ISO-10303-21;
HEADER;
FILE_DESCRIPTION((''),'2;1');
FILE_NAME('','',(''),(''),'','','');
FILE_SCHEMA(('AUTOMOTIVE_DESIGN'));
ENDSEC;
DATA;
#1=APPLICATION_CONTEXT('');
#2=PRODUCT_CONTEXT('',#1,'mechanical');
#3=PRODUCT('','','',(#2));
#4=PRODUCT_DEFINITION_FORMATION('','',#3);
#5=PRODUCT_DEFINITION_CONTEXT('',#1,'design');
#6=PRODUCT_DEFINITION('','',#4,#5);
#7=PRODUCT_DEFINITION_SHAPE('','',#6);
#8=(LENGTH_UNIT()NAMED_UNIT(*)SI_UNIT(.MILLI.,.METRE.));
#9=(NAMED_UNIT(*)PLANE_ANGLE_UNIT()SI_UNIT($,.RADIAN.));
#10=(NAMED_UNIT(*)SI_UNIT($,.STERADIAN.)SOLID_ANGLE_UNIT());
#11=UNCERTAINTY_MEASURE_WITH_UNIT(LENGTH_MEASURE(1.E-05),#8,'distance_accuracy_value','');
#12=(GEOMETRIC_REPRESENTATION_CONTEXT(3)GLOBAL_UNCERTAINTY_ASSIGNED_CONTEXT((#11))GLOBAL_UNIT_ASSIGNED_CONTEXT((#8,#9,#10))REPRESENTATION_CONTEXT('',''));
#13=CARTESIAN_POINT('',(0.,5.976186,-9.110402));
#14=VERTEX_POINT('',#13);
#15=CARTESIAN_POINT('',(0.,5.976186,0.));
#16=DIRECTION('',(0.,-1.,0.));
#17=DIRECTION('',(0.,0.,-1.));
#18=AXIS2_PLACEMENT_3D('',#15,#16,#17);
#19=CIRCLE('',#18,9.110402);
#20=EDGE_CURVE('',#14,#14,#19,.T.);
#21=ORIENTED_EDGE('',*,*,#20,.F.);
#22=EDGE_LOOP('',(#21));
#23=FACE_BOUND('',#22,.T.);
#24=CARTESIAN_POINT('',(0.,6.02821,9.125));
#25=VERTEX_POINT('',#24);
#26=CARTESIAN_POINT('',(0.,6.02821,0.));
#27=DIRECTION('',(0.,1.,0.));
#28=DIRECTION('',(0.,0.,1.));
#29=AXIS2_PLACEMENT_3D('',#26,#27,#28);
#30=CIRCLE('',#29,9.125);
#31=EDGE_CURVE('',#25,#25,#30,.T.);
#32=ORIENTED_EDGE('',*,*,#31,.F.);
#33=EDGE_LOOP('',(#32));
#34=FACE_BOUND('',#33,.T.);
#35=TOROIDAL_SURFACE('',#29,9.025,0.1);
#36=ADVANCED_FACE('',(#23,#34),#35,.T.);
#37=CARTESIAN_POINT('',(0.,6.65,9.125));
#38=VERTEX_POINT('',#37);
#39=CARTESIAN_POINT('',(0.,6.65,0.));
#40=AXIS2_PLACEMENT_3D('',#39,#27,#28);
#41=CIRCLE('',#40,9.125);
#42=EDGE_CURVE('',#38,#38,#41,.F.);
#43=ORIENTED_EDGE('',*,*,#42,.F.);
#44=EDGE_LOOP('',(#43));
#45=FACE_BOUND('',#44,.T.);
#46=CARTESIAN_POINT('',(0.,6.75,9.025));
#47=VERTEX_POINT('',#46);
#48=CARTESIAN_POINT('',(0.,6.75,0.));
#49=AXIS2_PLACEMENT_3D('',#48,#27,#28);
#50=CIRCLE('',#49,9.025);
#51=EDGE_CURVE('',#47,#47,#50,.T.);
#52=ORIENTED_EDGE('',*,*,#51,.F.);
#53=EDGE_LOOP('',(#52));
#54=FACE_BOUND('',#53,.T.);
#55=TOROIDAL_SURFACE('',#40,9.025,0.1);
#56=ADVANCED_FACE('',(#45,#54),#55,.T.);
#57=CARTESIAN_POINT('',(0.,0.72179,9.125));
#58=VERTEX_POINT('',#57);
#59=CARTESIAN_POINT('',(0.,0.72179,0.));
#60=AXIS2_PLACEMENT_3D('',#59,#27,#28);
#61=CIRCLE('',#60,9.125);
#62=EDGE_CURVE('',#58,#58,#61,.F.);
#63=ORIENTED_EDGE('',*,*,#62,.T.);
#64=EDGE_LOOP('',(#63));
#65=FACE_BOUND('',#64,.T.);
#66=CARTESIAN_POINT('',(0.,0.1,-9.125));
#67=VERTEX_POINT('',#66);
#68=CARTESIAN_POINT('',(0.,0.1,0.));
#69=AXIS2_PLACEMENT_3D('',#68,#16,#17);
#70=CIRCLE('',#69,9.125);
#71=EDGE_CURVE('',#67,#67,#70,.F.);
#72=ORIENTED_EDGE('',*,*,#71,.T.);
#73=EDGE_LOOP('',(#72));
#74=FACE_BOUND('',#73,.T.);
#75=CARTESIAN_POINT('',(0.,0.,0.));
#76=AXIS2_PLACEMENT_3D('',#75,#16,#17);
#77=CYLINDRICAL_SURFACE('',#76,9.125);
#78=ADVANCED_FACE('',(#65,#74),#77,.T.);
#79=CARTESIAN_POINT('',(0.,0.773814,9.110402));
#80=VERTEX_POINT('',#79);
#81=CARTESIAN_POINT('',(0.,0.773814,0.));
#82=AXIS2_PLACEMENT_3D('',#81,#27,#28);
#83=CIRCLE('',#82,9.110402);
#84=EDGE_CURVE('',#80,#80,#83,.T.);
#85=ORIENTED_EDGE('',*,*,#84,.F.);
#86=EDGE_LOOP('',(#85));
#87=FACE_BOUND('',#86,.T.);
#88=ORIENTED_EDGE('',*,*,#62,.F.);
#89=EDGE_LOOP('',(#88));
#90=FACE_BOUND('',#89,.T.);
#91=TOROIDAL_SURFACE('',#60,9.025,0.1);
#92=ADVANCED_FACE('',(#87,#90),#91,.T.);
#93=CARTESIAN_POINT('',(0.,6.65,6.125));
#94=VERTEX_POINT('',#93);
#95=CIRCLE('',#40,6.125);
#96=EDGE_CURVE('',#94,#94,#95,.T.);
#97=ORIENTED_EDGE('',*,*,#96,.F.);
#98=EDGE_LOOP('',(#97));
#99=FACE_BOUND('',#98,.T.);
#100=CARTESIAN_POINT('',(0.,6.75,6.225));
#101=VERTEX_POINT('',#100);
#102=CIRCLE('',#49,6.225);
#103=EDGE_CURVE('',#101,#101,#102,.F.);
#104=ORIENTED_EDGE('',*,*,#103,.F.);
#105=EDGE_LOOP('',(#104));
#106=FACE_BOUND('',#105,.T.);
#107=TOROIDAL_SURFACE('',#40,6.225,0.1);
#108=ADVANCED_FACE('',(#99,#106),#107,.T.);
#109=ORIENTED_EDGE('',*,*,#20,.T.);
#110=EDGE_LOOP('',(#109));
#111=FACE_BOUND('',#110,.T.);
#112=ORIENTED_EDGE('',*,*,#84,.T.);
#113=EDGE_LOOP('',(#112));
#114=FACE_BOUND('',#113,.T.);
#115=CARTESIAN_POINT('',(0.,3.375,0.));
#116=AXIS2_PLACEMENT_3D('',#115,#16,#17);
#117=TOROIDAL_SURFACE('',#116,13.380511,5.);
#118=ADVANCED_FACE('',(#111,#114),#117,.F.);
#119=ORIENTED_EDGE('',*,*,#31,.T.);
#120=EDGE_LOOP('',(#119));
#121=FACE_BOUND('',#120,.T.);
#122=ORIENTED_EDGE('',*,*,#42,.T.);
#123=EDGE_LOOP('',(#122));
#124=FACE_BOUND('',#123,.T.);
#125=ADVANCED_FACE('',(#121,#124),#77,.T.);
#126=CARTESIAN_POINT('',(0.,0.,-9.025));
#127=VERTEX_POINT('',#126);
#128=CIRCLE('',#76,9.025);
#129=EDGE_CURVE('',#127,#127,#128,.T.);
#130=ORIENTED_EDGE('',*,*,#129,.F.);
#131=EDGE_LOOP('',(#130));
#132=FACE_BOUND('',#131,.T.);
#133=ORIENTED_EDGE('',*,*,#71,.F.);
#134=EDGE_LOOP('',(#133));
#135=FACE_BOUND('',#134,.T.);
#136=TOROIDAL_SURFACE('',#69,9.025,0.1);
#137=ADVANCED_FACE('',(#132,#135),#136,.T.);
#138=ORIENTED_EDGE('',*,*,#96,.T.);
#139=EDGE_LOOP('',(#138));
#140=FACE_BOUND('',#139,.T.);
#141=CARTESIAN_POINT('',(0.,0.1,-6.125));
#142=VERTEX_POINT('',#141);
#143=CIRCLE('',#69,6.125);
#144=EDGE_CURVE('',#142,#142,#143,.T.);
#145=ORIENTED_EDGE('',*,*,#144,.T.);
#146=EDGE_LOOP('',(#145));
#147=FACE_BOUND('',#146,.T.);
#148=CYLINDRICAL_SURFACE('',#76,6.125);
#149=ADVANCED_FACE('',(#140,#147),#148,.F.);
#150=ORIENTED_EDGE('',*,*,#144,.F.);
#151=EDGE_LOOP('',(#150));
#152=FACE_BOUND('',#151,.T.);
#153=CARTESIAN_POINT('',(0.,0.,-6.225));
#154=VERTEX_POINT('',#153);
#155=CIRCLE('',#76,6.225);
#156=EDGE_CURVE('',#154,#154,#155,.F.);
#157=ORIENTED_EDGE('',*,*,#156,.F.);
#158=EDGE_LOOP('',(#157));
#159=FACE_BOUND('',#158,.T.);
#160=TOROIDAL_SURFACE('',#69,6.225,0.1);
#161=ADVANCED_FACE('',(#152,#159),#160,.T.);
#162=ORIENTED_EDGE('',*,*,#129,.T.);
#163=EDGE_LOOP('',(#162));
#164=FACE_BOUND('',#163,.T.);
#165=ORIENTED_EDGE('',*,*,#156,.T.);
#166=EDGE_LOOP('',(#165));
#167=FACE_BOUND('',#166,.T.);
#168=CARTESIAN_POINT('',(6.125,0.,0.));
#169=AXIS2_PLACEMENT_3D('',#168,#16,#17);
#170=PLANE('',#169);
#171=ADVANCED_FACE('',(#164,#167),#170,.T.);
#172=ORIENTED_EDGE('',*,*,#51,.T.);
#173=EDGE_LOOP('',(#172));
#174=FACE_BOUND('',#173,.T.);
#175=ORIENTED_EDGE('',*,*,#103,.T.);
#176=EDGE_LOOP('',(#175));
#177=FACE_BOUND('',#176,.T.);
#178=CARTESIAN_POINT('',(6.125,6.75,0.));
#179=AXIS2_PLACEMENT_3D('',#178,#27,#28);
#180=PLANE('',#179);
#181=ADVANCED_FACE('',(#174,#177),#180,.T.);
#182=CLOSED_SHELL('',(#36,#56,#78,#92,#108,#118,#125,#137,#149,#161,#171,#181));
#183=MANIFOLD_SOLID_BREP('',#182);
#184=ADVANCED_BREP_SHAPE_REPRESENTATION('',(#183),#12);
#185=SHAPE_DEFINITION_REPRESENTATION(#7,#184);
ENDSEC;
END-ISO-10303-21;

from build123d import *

# Parameters (mm, degrees)
FILLET1_R = 0.1


with BuildPart() as part:
    # Sketch1 → Revolve1 (revolve)
    with BuildSketch(Plane.XY, mode=Mode.PRIVATE) as revolve1_sk:
        with BuildLine():
            Line((9.125, 6), (9.125, 6.75))
            Line((9.125, 6.75), (6.125, 6.75))
            Line((6.125, 6.75), (6.125, 0))
            Line((6.125, 0), (9.125, 0))
            Line((9.125, 0), (9.125, 0.75))
            ThreePointArc((9.125, 0.75), (8.380511133, 3.375), (9.125, 6))
        make_face()
    revolve(revolve1_sk.sketch.rotate(Axis((0, 0, 0), (0, 1, 0)), 90), axis=Axis((0, 0, 0), (0, 1, 0)))

    # Fillet1
    fillet1_edges = [part.edges().sort_by_distance(p)[0] for p in [
        (0, 6.75, 6.125),
        (0, 6.75, 9.125),
        (0, 6, 9.125),
        (0, 0.75, 9.125),
        (0, 0, 9.125),
        (0, 0, 6.125),
    ]]
    fillet(fillet1_edges, radius=FILLET1_R)


solid = part.part
